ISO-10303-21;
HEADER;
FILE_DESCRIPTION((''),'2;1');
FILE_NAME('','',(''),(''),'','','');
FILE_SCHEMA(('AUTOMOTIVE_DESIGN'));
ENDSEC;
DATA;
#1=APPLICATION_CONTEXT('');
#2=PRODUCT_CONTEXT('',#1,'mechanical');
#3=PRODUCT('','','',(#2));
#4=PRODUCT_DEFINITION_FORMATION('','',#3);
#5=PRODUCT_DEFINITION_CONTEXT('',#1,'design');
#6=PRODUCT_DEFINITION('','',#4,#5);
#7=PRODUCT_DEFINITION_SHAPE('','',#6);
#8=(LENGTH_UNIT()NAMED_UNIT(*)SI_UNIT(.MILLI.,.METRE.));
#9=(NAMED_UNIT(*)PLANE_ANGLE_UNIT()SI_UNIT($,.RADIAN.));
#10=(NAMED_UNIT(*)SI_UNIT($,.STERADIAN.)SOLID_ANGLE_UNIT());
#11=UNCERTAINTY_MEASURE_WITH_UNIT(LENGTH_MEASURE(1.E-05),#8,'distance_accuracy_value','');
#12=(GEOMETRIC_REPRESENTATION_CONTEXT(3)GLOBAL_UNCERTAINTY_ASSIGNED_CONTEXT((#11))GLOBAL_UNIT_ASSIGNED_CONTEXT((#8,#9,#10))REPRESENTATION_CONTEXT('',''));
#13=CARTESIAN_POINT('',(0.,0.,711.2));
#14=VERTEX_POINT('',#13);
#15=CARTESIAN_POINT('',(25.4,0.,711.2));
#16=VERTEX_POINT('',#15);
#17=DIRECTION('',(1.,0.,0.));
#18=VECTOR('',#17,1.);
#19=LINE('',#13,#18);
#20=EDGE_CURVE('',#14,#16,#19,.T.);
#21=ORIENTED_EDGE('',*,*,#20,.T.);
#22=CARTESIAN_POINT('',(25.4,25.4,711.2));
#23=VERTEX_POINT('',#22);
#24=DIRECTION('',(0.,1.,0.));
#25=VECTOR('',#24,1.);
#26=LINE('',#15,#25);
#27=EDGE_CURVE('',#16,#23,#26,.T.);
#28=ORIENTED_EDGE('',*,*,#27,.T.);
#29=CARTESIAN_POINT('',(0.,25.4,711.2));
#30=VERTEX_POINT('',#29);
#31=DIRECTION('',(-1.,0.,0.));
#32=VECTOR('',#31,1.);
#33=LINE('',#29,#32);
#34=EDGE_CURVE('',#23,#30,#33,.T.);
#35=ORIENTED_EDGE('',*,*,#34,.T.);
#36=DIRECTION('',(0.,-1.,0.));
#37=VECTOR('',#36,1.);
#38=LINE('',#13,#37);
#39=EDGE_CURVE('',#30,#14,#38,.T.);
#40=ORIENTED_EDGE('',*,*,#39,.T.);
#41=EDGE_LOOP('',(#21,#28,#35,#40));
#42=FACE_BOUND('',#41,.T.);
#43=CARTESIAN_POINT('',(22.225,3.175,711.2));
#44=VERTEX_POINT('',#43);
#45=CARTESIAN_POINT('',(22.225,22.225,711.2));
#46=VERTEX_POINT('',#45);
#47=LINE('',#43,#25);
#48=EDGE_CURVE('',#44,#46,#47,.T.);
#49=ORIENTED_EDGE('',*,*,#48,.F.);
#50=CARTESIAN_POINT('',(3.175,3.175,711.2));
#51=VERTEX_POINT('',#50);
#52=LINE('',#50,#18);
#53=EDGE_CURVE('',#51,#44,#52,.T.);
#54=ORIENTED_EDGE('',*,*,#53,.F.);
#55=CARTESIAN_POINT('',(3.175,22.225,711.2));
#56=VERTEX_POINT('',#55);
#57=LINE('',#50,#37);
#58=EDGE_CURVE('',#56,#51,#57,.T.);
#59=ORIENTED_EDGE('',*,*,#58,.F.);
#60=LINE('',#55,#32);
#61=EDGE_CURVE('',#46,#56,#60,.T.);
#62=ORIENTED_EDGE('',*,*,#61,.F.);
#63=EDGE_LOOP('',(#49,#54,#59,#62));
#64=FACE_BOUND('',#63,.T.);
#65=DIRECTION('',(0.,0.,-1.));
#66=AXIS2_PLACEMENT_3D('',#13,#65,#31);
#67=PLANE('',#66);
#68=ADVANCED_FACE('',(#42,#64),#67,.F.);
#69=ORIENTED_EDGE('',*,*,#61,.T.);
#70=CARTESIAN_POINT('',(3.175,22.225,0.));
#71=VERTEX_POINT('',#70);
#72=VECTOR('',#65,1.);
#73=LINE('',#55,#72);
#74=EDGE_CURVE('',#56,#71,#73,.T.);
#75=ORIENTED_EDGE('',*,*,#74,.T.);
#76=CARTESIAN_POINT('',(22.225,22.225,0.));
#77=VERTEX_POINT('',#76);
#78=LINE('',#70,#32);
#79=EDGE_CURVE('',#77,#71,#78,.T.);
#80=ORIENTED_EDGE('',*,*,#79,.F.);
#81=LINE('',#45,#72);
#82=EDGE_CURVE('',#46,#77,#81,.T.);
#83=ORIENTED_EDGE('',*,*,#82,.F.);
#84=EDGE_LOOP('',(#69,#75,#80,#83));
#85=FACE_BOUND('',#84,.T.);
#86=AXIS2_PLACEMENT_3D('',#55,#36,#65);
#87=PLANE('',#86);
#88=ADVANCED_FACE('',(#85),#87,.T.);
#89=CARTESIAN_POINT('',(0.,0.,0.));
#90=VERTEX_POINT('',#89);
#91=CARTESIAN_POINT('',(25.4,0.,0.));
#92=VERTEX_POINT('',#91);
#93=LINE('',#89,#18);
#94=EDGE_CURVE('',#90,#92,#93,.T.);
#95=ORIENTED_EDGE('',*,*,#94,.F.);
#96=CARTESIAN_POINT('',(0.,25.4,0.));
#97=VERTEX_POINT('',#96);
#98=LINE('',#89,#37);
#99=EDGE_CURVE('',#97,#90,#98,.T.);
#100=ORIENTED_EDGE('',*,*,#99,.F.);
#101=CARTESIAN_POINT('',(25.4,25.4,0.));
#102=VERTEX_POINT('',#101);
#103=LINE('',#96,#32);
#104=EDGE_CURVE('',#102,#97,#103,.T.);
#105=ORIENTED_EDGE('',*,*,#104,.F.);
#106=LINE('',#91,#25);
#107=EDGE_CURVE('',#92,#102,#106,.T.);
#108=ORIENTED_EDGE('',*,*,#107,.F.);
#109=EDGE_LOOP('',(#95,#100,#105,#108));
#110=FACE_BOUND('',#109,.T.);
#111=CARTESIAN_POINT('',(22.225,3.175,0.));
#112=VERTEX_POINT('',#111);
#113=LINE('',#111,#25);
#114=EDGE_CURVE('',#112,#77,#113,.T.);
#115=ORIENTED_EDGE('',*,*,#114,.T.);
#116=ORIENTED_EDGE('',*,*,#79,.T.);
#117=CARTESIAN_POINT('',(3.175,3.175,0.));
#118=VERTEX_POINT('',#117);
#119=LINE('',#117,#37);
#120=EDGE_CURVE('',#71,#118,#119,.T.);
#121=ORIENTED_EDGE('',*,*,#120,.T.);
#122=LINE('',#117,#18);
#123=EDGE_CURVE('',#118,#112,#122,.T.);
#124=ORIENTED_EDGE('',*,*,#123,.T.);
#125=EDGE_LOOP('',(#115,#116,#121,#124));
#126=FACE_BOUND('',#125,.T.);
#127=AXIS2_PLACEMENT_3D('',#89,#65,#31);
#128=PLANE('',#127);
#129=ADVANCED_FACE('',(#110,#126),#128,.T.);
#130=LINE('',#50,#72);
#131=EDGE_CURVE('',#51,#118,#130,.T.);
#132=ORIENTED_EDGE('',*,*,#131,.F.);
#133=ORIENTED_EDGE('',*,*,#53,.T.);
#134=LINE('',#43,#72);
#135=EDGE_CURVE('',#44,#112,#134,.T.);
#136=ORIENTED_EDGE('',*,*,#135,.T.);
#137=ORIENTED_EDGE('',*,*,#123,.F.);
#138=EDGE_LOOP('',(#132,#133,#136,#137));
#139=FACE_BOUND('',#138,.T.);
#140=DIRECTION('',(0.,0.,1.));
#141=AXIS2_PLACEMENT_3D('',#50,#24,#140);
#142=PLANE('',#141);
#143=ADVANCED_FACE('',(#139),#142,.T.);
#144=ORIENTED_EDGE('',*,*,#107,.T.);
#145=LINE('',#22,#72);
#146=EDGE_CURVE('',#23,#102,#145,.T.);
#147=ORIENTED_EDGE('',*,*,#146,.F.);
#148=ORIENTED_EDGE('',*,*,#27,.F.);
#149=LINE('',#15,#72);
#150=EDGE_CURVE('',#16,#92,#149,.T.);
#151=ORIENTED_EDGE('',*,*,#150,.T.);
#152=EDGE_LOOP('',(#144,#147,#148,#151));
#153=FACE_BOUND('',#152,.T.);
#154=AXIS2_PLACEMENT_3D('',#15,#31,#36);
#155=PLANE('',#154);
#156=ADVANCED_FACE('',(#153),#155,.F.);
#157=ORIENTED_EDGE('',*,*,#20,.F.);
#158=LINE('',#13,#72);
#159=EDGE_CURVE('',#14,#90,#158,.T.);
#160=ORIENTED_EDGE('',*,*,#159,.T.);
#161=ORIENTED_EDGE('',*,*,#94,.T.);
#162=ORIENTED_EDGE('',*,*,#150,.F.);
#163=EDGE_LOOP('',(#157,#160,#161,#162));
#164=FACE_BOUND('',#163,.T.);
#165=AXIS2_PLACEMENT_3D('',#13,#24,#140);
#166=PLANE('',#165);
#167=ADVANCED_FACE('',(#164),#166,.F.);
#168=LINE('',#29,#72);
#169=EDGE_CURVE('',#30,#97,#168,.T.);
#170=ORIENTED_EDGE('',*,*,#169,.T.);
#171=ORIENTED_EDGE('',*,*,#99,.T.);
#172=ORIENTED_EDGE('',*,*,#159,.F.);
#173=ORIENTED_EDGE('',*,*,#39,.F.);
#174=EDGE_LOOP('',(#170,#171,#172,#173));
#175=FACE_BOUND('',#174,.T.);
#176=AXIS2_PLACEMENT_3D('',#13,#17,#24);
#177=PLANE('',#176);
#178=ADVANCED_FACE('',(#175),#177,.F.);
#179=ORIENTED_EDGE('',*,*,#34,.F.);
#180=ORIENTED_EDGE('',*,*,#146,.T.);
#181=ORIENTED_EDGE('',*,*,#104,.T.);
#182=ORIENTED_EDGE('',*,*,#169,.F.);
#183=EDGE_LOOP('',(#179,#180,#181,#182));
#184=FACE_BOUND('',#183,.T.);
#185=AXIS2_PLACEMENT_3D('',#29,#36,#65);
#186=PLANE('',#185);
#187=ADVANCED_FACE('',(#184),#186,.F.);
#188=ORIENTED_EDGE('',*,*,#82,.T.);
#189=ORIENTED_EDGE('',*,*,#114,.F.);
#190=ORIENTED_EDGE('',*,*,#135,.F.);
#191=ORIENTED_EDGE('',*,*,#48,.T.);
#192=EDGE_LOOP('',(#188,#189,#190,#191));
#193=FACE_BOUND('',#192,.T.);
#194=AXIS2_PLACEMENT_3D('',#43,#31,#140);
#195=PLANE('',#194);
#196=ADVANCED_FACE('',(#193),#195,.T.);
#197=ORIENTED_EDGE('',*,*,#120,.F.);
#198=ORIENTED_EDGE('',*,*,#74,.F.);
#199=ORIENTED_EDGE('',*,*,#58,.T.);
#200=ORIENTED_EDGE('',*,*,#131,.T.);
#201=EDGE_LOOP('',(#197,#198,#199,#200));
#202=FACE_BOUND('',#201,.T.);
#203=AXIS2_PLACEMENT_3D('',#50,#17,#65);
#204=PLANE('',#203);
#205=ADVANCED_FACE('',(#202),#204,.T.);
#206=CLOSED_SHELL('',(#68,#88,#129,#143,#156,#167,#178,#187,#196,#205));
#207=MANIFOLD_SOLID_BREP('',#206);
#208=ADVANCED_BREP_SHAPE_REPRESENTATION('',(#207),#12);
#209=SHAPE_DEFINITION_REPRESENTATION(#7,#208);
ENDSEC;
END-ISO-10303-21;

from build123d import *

# Parameters (mm, degrees)
SKETCH1_W           = 25.4
SKETCH1_H           = 25.4
SKETCH1_W_2         = 19.05
SKETCH1_H_2         = 19.05
BOSS_EXTRUDE1_DEPTH = 711.2


with BuildPart() as part:
    # Sketch1 → Boss-Extrude1 (new body)
    with BuildSketch(Plane.XY):
        with Locations((12.7, 12.7)):
            Rectangle(SKETCH1_W, SKETCH1_H)
        with Locations((12.7, 12.7)):
            Rectangle(SKETCH1_W_2, SKETCH1_H_2, mode=Mode.SUBTRACT)
    extrude(amount=BOSS_EXTRUDE1_DEPTH)


solid = part.part
